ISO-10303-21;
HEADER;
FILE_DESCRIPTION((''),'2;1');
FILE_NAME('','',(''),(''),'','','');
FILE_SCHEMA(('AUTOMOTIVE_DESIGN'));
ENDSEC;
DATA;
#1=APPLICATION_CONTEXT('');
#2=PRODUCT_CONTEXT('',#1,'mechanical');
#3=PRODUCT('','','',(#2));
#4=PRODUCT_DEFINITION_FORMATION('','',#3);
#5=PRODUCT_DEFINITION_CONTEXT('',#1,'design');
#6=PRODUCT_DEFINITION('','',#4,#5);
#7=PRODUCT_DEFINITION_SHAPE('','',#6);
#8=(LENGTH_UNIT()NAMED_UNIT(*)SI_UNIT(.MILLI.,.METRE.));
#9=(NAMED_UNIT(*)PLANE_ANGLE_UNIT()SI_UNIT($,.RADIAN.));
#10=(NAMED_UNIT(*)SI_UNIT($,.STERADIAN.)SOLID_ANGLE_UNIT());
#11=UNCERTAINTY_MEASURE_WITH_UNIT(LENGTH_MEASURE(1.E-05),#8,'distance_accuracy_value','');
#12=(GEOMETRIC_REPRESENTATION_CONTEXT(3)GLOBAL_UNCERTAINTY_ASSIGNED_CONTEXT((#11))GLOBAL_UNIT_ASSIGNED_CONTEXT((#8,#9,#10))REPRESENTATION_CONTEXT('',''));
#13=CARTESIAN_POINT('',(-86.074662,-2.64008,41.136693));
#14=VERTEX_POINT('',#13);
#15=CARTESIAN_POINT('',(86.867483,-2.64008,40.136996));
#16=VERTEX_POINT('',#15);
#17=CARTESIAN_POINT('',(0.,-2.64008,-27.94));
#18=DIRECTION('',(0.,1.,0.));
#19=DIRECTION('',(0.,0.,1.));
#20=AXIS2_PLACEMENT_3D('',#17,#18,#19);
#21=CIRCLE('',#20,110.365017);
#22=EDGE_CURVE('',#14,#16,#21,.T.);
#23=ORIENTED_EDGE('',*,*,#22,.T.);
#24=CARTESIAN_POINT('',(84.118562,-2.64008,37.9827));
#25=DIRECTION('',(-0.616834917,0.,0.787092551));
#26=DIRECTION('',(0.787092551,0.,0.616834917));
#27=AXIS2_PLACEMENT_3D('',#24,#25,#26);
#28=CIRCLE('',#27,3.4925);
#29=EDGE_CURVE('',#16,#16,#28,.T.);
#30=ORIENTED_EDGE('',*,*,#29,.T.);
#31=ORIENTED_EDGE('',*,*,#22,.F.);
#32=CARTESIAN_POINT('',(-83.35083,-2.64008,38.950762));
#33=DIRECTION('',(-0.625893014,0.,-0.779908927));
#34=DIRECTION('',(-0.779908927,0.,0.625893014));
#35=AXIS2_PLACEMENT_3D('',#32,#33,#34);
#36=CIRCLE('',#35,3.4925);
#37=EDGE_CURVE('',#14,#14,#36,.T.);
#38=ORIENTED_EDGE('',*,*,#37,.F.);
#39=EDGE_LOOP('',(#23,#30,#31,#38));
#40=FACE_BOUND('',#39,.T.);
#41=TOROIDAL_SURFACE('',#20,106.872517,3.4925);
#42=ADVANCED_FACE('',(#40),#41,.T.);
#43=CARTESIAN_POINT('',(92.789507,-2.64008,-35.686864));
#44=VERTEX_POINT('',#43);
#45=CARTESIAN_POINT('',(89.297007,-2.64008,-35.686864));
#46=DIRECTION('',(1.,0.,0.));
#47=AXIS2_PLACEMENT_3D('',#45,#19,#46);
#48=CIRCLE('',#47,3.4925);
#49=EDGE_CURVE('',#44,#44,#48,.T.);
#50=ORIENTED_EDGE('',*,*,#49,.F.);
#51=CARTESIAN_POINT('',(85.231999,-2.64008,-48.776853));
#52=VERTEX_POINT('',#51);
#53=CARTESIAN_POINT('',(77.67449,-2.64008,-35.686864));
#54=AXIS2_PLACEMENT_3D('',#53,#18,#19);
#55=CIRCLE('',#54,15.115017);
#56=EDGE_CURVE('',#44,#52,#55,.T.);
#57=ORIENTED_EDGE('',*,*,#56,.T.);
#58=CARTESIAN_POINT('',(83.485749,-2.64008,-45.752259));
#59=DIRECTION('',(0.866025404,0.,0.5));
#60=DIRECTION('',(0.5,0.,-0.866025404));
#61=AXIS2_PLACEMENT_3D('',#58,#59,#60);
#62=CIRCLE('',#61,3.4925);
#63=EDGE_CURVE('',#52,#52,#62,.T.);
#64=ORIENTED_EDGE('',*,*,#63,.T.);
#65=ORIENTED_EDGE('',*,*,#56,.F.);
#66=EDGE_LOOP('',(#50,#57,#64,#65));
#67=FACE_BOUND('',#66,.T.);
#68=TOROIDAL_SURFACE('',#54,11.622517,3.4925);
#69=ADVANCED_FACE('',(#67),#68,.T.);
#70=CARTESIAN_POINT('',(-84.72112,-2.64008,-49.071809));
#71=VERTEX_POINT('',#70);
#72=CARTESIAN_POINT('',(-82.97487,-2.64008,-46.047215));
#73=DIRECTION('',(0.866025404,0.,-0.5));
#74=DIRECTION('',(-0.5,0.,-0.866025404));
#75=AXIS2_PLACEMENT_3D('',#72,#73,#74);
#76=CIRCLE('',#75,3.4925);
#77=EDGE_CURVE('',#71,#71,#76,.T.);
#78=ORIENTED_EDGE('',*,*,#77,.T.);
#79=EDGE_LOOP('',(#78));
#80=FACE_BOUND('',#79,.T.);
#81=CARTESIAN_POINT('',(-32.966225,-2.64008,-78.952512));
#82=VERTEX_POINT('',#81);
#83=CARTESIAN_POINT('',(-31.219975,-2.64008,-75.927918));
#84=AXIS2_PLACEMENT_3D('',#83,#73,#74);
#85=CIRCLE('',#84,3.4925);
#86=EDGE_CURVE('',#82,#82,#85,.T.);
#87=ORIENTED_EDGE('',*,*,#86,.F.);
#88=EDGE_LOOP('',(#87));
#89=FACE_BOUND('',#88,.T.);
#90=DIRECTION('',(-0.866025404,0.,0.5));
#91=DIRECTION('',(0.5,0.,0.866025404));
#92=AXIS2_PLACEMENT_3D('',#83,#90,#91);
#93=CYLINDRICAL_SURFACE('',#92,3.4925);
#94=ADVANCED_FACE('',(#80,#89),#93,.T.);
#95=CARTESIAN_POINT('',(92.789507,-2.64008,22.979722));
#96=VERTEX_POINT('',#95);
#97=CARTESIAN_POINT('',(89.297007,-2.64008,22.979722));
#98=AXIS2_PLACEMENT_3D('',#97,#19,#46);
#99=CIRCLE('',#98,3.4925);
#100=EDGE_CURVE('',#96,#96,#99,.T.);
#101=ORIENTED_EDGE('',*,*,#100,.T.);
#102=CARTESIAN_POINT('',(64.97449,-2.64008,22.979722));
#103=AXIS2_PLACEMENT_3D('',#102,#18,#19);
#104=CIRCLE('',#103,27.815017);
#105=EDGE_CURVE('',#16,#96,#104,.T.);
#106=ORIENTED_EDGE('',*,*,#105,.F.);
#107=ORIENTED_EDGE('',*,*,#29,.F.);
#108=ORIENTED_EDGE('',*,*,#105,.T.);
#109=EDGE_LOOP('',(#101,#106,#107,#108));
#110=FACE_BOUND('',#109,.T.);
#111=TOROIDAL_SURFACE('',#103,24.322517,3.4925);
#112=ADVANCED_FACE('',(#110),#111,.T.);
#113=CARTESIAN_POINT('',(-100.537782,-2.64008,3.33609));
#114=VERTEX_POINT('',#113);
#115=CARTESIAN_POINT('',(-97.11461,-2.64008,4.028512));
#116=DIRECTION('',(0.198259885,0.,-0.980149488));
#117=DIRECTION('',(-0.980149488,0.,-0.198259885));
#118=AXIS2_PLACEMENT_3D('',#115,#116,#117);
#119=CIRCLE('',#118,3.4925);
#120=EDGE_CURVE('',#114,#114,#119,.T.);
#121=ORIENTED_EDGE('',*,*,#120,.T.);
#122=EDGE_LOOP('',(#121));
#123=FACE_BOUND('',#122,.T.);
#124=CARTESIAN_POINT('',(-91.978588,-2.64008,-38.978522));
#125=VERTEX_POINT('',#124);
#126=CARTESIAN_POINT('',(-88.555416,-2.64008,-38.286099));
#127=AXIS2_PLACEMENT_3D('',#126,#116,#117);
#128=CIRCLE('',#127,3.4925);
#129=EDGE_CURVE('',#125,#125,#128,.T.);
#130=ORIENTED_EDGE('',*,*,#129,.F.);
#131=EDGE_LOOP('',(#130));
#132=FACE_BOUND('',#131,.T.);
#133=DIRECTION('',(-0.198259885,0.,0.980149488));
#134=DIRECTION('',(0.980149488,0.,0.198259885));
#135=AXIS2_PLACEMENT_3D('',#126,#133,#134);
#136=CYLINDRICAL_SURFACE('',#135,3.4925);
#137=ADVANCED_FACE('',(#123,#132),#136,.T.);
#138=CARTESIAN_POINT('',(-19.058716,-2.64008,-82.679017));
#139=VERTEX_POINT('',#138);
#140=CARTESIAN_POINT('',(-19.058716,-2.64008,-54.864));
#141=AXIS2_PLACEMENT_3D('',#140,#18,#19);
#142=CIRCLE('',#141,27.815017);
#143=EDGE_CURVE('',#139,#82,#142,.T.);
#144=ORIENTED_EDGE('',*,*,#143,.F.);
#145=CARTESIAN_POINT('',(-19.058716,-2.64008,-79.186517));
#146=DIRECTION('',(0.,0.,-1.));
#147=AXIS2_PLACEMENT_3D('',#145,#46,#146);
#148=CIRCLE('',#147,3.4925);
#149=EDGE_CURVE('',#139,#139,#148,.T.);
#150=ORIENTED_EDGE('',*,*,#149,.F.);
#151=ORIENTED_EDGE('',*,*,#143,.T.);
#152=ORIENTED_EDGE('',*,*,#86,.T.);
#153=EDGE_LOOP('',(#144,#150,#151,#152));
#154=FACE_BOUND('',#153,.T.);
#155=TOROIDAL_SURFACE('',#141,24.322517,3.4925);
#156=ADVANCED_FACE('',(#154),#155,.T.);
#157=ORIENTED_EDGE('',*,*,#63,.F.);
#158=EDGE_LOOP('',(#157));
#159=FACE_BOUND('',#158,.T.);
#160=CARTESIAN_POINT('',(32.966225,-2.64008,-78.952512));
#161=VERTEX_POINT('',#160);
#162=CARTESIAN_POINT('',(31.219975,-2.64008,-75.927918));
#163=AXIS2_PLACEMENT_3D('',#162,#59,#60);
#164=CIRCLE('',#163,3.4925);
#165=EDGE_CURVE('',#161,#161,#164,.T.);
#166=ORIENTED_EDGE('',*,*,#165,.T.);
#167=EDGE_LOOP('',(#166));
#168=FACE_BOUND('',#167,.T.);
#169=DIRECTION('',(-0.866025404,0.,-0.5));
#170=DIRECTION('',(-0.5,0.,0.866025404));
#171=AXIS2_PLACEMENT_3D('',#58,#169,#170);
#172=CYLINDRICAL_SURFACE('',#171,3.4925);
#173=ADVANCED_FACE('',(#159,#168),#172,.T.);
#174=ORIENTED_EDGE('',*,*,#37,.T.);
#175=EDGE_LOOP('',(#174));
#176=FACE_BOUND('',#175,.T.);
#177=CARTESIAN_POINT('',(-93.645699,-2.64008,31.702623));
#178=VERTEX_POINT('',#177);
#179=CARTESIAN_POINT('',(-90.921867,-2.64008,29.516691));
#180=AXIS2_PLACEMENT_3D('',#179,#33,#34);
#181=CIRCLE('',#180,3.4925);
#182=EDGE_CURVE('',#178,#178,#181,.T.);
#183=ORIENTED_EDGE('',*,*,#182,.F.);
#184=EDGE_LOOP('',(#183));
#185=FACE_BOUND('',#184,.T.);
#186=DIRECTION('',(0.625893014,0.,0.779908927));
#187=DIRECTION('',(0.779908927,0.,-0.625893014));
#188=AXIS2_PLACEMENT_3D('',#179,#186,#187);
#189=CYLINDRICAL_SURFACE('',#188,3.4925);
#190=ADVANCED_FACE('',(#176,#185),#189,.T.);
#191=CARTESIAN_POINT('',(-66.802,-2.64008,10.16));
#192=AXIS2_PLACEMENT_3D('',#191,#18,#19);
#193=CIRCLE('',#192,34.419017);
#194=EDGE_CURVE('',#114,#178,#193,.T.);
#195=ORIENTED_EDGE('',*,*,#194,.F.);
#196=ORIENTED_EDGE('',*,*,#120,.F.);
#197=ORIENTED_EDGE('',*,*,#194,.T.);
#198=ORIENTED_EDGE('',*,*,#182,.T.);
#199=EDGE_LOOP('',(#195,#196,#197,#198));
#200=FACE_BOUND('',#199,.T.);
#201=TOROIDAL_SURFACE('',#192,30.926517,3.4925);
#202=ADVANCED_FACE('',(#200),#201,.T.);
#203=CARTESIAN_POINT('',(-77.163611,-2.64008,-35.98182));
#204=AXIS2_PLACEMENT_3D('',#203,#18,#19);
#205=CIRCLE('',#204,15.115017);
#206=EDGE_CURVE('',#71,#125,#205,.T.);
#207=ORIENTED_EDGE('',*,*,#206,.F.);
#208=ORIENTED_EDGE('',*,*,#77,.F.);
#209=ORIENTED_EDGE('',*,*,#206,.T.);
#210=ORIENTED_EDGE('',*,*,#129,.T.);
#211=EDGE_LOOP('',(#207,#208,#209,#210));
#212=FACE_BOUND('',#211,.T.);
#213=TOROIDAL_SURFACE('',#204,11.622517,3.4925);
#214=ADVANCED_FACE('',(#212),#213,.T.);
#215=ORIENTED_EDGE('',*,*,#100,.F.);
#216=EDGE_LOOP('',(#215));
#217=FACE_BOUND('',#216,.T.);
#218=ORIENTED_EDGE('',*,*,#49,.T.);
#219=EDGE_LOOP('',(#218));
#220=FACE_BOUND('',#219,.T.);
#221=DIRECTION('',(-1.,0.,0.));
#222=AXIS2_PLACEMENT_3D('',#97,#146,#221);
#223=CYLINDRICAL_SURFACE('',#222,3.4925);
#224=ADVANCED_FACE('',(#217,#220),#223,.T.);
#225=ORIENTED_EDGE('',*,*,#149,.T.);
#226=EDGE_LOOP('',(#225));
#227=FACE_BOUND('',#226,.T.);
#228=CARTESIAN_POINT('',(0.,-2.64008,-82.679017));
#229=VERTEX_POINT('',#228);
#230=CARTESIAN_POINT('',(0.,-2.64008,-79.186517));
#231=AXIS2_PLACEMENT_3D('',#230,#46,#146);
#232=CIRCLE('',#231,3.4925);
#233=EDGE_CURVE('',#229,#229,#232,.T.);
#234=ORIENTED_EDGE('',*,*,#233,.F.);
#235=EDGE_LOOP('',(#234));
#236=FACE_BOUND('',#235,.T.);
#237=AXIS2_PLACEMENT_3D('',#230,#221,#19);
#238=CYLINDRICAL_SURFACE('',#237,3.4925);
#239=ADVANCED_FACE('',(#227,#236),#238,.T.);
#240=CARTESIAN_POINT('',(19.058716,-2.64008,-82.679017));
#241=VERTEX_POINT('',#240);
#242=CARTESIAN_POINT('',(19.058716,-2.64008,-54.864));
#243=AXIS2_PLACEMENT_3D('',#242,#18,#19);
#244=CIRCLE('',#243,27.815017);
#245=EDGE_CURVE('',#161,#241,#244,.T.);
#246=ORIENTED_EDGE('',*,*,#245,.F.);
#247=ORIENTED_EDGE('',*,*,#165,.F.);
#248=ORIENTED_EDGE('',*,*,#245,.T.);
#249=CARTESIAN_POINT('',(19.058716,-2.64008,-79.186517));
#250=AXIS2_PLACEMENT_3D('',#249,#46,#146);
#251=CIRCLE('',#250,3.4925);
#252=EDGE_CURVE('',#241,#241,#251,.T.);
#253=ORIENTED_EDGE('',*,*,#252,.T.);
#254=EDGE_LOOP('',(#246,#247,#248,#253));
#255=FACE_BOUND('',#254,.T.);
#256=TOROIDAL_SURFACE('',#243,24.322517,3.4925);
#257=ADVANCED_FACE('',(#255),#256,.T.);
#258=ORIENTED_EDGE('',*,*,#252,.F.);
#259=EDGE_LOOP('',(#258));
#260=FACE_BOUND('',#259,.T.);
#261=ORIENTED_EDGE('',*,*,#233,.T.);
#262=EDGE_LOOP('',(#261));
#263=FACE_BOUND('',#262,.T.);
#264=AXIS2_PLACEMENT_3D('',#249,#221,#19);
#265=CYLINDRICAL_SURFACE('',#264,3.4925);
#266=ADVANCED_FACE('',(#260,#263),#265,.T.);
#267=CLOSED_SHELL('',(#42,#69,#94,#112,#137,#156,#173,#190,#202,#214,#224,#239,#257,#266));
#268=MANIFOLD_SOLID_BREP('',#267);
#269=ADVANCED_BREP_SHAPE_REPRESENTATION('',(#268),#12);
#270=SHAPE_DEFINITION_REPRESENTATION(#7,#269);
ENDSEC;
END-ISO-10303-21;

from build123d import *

# Parameters (mm, degrees)
SKETCH2_R = 3.4925


with BuildPart() as part:
    # Sweep1: sweep along a path in Sketch1
    with BuildLine(Plane(origin=(0, -2.640079968, 0), x_dir=(-1, 0, 0), z_dir=(0, -1, 0))) as sweep1_path:
        Line((83.350830382, -38.950762016), (90.921866986, -29.516691169))
        ThreePointArc((90.921866986, -29.516691169), (96.854212201, -17.461644901), (97.114610152, -4.028512237))
        Line((97.114610152, -4.028512237), (88.555415825, 38.286098976))
        ThreePointArc((88.555415825, 38.286098976), (86.599981286, 42.766938519), (82.974870066, 46.04721532))
        Line((82.974870066, 46.04721532), (31.21997499, 75.927917924))
        ThreePointArc((31.21997499, 75.927917924), (25.353847026, 78.357747685), (19.058716307, 79.186517367))
        Line((19.058716307, 79.186517367), (-19.058716307, 79.186517367))
        ThreePointArc((-19.058716307, 79.186517367), (-25.353847026, 78.357747685), (-31.21997499, 75.927917924))
        Line((-31.21997499, 75.927917924), (-83.485748808, 45.752259341))
        ThreePointArc((-83.485748808, 45.752259341), (-87.73988542, 41.498122729), (-89.297007491, 35.686864045))
        Line((-89.297007491, 35.686864045), (-89.297007491, -22.979722438))
        ThreePointArc((-89.297007491, -22.979722438), (-87.965976384, -30.91549024), (-84.118562377, -37.98270043))
        ThreePointArc((-84.118562377, -37.98270043), (-0.617769304, -78.930731865), (83.350830382, -38.950762016))
    # Sketch2 → Sweep1 (sweep)
    with BuildSketch(Plane(origin=(0, 0, 0), x_dir=(0, 0, -1), z_dir=(1, 0, 0))):
        with Locations((79.186517367, -2.640079968)):
            Circle(SKETCH2_R)
    sweep(path=sweep1_path.line)


solid = part.part
